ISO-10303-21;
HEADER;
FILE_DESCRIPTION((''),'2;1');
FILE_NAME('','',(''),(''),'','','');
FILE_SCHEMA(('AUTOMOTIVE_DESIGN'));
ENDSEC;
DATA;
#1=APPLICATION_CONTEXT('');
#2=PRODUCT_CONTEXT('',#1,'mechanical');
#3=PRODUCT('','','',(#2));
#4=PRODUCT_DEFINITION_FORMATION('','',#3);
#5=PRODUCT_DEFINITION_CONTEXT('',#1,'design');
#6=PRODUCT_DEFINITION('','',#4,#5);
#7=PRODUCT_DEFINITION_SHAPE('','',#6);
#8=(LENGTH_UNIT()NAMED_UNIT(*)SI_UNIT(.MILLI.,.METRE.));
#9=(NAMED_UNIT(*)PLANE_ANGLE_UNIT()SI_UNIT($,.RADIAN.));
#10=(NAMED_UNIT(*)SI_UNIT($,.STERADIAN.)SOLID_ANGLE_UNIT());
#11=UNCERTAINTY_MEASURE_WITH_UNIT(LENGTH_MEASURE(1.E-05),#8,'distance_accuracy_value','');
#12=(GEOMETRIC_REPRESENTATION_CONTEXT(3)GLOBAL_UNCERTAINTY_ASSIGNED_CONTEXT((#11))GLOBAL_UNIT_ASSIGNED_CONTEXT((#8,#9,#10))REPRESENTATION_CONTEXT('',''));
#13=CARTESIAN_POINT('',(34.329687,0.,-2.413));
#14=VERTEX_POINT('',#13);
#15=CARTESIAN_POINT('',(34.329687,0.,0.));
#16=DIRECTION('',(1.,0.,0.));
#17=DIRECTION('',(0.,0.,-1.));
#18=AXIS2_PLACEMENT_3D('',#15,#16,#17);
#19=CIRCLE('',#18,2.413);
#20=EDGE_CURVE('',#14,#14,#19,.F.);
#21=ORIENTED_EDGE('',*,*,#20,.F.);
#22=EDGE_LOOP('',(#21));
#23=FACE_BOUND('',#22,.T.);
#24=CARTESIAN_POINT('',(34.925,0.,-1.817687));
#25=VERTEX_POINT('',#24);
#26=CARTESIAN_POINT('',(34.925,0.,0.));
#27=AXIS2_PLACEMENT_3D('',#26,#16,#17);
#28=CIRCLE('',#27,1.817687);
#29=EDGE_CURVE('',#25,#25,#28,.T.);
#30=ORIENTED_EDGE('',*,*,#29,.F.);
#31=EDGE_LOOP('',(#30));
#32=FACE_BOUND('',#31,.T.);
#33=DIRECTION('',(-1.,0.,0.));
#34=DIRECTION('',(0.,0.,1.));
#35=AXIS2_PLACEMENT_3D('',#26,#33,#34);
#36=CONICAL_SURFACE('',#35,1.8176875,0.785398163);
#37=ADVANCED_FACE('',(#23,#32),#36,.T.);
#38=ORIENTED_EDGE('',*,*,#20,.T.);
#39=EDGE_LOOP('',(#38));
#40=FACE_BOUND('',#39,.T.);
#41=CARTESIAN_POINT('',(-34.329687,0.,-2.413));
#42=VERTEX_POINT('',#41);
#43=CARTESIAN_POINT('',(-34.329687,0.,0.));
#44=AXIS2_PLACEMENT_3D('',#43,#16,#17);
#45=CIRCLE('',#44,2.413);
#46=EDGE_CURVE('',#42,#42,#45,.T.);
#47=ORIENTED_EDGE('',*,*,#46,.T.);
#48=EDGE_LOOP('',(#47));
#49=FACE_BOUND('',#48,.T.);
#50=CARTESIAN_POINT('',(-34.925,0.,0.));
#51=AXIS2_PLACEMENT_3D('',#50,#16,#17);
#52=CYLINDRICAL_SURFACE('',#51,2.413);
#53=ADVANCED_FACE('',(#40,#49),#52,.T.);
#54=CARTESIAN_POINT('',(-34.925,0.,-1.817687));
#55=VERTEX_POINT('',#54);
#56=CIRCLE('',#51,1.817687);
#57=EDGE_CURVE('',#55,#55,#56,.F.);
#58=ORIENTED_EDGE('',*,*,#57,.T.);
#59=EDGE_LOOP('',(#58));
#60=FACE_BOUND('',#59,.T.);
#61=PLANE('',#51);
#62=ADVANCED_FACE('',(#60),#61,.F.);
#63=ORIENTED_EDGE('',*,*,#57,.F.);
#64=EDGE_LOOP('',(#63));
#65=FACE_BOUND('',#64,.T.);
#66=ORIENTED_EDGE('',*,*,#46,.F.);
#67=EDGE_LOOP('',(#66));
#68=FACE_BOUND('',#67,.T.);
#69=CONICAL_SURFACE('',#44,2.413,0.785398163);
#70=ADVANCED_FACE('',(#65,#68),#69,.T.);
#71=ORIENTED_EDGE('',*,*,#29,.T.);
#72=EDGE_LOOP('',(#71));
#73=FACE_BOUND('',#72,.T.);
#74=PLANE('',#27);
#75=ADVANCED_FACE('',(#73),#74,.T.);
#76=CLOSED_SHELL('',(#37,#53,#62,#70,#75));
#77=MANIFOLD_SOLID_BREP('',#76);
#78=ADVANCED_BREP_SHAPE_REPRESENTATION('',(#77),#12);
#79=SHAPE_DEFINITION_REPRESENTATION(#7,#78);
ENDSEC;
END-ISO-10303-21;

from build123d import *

# Parameters (mm, degrees)
SKETCH2_R                = 2.413
BOSS_EXTRUDE1_DEPTH      = 34.925
BOSS_EXTRUDE1_DEPTH_BACK = 34.925
CHAMFER1_SIZE            = 0.5953125


with BuildPart() as part:
    # Sketch2 → Boss-Extrude1 (new body, two sides)
    with BuildSketch(Plane(origin=(0, 0, 0), x_dir=(0, 0, -1), z_dir=(1, 0, 0))) as boss_extrude1_sk:
        Circle(SKETCH2_R)
    extrude(amount=BOSS_EXTRUDE1_DEPTH)
    extrude(boss_extrude1_sk.sketch, amount=-BOSS_EXTRUDE1_DEPTH_BACK)

    # Chamfer1
    chamfer1_edges = [part.edges().sort_by_distance(p)[0] for p in [
        (-34.925, 0, 2.413),
        (34.925, 0, 2.413),
    ]]
    chamfer(chamfer1_edges, length=CHAMFER1_SIZE)


solid = part.part
